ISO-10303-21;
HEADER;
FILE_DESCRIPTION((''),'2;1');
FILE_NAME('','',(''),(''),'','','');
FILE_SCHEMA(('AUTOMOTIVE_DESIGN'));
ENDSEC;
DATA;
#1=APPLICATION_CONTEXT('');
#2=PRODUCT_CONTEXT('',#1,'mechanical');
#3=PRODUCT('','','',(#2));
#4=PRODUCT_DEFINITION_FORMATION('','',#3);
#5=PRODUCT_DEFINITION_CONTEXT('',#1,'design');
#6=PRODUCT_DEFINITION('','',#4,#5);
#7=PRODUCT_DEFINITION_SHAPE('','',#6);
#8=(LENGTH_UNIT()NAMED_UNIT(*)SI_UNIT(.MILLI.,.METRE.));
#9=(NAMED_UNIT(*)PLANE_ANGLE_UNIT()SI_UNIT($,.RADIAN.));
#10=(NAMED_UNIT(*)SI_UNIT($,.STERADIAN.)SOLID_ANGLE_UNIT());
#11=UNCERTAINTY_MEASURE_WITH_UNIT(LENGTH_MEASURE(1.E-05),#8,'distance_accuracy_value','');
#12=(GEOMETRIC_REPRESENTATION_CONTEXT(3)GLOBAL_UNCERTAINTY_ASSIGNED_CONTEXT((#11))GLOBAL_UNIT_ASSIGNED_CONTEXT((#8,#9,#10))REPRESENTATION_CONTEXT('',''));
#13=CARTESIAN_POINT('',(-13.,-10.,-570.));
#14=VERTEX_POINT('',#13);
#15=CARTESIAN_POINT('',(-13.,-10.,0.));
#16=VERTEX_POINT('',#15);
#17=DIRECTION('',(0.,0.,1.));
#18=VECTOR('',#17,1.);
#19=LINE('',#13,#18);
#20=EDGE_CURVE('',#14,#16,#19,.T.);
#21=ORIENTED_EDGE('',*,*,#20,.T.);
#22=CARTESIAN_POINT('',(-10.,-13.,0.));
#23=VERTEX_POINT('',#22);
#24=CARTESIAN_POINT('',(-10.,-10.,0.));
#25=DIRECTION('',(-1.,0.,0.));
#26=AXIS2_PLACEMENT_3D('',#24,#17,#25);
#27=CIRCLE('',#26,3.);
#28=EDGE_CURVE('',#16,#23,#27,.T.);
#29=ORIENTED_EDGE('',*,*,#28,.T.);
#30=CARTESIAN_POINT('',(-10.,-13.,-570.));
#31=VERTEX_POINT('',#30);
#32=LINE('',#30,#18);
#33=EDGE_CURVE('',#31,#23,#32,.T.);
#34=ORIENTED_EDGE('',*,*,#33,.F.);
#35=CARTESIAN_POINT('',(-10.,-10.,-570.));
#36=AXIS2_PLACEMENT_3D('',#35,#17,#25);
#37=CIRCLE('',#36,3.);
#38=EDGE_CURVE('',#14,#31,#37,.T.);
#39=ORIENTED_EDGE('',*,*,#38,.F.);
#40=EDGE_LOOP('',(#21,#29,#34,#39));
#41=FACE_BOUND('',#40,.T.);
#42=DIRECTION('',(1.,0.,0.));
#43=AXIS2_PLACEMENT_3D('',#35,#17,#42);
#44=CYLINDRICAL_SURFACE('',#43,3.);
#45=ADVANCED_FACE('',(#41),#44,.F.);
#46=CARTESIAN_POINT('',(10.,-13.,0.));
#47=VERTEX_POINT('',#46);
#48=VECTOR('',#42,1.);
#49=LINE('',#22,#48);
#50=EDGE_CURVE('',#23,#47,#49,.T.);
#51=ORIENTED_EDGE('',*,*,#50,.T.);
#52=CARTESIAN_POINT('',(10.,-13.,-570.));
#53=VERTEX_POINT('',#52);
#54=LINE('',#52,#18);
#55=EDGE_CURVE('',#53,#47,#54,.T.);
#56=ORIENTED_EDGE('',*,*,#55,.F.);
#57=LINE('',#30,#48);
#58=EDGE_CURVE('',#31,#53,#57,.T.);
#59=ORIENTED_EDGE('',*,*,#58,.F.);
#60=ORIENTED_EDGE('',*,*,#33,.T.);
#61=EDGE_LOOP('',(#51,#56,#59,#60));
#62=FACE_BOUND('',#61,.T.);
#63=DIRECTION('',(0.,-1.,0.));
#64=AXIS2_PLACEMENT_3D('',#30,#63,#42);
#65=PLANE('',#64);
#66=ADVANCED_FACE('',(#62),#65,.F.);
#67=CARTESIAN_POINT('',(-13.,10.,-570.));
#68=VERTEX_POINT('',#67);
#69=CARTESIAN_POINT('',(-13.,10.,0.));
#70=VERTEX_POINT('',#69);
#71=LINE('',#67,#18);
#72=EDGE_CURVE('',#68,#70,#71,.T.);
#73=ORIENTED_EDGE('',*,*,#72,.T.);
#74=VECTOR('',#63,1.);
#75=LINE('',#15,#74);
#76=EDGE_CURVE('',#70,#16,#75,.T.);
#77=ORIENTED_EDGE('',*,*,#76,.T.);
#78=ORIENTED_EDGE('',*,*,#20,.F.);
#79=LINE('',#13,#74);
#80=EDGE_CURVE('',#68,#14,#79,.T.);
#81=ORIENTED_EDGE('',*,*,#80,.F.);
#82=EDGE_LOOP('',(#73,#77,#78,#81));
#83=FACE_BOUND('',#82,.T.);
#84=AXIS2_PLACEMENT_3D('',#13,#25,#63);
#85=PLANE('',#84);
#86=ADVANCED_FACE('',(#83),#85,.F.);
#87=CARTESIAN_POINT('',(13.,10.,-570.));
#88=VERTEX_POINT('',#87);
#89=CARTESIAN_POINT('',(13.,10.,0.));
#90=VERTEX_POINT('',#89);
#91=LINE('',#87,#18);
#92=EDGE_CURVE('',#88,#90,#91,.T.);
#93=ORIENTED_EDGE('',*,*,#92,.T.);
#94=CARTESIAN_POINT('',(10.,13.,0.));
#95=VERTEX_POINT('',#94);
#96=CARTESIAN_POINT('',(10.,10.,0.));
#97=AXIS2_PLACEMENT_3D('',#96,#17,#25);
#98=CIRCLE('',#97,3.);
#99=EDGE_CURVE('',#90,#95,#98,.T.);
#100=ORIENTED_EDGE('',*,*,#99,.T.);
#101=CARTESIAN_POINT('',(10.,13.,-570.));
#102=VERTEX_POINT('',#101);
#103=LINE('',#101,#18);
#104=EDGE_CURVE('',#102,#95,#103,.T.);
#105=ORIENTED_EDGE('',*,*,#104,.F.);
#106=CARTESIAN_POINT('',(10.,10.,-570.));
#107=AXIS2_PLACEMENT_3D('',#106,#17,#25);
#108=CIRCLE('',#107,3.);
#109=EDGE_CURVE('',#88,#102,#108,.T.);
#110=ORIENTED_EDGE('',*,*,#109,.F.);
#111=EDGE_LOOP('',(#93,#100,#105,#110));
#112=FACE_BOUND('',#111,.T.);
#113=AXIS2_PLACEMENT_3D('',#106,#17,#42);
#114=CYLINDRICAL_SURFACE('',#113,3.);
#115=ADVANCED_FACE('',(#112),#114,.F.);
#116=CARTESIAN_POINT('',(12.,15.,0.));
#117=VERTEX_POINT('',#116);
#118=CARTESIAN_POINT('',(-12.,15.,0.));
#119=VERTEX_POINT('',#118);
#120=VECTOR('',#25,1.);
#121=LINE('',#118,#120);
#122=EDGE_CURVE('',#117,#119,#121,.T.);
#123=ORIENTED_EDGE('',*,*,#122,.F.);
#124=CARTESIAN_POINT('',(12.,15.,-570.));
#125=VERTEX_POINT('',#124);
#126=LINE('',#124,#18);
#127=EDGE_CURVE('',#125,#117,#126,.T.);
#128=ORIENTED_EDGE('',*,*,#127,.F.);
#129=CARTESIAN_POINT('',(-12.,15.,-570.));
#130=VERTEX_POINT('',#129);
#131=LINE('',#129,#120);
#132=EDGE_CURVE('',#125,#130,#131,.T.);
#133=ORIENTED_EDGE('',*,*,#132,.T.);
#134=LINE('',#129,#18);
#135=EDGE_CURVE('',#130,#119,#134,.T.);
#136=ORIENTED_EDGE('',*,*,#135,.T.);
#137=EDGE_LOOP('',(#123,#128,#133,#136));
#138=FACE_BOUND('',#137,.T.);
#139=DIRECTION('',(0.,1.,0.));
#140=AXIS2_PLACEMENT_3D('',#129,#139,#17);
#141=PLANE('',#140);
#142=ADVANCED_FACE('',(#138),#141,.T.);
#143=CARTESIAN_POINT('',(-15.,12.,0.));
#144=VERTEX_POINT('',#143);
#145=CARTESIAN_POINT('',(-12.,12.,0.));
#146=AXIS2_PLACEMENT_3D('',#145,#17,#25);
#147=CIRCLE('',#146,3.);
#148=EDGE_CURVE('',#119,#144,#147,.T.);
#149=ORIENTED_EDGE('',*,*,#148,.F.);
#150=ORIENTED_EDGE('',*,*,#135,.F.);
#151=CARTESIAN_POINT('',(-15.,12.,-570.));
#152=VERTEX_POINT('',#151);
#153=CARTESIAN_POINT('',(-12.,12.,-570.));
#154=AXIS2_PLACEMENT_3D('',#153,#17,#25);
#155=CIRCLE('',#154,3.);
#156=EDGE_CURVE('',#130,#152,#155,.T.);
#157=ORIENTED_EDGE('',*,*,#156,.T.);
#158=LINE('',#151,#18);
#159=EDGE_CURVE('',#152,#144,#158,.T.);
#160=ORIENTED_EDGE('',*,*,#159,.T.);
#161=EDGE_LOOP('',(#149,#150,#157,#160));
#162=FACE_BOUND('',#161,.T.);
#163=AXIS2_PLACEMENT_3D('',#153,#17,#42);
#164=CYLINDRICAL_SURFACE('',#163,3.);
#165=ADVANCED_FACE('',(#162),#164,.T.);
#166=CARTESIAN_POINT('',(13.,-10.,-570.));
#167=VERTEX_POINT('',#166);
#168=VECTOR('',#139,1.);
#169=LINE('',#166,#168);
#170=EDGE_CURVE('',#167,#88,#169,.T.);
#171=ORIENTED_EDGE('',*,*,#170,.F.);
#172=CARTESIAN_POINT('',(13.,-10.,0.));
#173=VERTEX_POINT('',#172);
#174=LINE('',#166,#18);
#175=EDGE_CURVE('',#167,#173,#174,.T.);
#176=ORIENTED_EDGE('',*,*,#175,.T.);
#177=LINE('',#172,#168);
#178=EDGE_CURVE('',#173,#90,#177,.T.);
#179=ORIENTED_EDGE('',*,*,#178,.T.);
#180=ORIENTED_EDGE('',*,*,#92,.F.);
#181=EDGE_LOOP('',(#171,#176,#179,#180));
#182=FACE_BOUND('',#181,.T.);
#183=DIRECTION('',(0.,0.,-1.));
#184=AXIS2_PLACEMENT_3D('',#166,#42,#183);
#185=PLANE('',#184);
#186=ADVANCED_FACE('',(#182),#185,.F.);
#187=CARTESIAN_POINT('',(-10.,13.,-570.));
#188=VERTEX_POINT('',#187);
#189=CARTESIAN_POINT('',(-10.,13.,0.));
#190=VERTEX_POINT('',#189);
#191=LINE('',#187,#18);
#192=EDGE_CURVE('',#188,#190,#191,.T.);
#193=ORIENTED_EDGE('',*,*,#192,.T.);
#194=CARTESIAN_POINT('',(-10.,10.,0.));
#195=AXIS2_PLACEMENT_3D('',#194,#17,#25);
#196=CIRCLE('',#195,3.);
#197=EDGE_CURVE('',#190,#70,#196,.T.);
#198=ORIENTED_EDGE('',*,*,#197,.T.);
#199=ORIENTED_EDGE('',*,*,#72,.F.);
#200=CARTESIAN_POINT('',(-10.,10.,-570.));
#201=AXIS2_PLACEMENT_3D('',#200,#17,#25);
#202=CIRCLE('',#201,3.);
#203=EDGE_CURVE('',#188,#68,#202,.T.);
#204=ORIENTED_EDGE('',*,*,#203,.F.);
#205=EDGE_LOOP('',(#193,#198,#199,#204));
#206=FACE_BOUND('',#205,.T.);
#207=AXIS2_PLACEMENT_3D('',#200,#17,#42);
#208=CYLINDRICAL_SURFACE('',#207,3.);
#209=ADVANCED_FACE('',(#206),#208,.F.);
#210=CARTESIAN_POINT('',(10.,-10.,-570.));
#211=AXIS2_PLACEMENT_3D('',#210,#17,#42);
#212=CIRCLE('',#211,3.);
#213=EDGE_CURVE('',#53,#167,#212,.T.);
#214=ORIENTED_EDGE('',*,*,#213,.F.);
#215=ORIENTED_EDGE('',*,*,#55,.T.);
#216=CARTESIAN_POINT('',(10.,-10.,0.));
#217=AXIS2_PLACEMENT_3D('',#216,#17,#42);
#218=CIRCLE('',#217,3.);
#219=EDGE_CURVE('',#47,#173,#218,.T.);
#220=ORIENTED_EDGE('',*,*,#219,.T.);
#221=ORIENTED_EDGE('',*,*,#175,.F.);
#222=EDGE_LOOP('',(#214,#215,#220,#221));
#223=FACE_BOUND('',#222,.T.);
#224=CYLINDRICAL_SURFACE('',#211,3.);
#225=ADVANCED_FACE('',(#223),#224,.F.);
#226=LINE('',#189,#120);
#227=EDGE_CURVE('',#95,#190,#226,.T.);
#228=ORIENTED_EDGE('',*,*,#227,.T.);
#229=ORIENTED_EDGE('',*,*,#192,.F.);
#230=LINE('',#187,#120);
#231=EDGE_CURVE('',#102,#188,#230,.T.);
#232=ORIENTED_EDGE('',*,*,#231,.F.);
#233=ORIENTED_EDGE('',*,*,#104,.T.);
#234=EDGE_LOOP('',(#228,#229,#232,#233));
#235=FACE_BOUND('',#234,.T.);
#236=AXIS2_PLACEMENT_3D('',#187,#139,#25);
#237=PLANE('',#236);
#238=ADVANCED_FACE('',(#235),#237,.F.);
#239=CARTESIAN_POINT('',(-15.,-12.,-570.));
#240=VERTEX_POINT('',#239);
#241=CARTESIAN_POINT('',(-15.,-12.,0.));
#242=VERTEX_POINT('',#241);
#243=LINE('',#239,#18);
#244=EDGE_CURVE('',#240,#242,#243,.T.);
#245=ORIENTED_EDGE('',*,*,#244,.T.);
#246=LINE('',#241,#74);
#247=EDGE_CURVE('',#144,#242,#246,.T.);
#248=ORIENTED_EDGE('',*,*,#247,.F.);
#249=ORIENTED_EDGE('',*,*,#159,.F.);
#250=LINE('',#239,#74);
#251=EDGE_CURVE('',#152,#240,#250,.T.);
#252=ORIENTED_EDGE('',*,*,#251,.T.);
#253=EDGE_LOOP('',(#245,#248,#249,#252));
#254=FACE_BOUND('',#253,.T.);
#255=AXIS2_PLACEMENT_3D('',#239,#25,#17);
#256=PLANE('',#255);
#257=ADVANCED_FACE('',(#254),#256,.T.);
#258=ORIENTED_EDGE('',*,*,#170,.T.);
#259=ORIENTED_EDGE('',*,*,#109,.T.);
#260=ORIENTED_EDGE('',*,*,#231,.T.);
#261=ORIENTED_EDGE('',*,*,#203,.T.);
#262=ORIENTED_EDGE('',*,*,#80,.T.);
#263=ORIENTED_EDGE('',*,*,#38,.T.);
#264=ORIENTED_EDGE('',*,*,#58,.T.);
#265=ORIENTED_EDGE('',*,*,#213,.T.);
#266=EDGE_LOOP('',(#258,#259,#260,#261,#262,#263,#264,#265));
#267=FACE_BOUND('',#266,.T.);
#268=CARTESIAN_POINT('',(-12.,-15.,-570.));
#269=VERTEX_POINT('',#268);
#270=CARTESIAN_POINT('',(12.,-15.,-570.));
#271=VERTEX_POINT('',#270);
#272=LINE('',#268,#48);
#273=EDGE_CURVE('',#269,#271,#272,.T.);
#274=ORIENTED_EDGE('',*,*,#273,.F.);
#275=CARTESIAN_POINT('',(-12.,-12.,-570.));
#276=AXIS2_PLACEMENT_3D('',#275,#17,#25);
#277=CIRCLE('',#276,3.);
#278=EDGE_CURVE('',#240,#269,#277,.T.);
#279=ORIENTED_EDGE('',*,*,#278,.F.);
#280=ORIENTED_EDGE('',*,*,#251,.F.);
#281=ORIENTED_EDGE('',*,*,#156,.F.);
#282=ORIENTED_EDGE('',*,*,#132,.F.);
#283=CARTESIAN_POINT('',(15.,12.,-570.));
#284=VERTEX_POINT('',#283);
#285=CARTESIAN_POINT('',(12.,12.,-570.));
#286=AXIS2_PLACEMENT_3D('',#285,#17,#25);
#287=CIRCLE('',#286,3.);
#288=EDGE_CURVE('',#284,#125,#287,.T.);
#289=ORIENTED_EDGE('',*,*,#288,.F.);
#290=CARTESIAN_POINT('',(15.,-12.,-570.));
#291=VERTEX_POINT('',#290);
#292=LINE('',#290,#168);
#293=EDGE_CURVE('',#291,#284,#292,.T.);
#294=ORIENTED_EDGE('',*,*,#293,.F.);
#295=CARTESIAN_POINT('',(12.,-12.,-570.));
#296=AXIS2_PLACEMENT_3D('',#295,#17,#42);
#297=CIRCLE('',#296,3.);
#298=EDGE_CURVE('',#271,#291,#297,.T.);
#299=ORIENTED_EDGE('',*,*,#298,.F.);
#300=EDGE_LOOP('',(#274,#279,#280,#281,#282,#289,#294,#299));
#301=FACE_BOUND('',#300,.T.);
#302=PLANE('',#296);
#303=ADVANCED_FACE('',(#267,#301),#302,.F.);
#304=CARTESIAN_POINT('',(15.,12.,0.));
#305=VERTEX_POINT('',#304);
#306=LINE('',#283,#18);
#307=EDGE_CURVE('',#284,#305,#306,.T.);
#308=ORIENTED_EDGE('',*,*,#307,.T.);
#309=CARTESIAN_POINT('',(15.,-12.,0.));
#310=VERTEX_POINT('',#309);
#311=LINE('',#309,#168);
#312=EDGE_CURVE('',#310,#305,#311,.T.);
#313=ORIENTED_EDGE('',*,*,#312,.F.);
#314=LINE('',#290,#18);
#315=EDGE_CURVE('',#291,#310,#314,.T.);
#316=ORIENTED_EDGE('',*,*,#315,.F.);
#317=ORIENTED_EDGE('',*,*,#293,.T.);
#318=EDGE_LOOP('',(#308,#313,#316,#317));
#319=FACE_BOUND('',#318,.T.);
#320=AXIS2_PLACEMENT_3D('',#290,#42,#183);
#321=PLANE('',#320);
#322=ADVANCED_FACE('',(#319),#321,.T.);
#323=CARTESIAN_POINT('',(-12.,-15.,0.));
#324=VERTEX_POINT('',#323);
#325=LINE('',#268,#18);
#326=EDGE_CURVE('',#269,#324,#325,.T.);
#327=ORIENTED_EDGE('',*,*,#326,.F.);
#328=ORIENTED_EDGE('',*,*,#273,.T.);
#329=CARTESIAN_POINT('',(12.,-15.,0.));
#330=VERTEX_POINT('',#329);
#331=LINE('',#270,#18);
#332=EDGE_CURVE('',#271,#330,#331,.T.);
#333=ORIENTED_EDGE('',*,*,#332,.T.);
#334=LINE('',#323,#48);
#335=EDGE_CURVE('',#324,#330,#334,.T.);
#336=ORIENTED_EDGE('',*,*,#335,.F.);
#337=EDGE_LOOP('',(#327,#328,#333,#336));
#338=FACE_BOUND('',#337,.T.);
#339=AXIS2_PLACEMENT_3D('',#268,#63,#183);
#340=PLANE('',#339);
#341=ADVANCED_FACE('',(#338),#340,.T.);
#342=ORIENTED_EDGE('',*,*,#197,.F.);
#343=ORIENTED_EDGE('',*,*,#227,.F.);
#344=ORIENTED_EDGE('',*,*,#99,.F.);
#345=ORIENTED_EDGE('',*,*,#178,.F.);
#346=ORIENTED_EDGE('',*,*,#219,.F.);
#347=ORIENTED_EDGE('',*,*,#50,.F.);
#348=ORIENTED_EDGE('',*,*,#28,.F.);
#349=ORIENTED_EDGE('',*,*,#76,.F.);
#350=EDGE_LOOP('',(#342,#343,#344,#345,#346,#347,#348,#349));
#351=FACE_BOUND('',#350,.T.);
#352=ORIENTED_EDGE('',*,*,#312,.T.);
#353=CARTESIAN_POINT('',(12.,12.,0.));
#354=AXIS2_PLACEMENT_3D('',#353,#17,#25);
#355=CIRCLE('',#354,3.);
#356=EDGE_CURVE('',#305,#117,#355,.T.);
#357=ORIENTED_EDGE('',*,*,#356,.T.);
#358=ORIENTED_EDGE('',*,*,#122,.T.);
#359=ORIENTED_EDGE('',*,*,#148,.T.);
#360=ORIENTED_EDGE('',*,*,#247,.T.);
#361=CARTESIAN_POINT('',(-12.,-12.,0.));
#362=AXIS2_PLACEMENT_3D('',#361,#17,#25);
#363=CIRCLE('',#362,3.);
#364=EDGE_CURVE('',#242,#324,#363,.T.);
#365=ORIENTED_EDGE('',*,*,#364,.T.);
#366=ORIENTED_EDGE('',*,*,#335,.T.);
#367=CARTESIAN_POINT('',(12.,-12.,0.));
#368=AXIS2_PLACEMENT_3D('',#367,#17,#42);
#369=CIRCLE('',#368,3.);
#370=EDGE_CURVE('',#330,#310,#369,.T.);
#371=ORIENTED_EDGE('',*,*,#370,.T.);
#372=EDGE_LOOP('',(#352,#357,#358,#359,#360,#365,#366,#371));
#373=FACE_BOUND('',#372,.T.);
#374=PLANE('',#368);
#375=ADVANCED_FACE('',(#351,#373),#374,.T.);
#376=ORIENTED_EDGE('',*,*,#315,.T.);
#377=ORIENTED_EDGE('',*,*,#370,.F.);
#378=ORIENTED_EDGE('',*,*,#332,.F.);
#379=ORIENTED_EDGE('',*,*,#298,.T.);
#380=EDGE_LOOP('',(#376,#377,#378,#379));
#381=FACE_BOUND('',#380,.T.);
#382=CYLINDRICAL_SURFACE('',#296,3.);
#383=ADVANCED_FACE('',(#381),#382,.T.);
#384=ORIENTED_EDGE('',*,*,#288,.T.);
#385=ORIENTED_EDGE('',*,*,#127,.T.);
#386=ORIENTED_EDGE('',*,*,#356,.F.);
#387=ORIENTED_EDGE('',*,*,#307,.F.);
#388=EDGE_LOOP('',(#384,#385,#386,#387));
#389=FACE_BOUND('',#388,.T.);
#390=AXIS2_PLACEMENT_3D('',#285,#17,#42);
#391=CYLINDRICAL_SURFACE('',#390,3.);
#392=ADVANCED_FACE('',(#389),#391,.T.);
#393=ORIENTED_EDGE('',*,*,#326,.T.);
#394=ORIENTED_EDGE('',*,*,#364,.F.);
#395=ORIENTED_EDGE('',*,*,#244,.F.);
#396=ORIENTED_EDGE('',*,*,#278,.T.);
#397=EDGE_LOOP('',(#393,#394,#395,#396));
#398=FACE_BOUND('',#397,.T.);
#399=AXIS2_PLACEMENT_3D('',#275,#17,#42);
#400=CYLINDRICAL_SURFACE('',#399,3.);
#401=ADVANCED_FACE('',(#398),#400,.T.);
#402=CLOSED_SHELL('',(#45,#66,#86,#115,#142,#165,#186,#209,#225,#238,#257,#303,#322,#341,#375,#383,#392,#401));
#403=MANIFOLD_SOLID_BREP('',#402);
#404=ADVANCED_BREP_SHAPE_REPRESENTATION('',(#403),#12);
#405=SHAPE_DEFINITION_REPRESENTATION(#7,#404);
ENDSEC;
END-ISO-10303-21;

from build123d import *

# Parameters (mm, degrees)
BOSS_EXTRU_1_DEPTH = 570


with BuildPart() as part:
    # Esquisse1 → Boss.-Extru.1 (new body)
    with BuildSketch(Plane.XY):
        with BuildLine():
            Line((-12, -15), (12, -15))
            ThreePointArc((12, -15), (14.121320344, -14.121320344), (15, -12))
            Line((15, -12), (15, 12))
            ThreePointArc((15, 12), (14.121320344, 14.121320344), (12, 15))
            Line((12, 15), (-12, 15))
            ThreePointArc((-12, 15), (-14.121320344, 14.121320344), (-15, 12))
            Line((-15, 12), (-15, -12))
            ThreePointArc((-15, -12), (-14.121320344, -14.121320344), (-12, -15))
        make_face()
        with BuildLine():
            Line((-10, -13), (10, -13))
            ThreePointArc((10, -13), (12.121320344, -12.121320344), (13, -10))
            Line((13, -10), (13, 10))
            ThreePointArc((13, 10), (12.121320344, 12.121320344), (10, 13))
            Line((10, 13), (-10, 13))
            ThreePointArc((-10, 13), (-12.121320344, 12.121320344), (-13, 10))
            Line((-13, 10), (-13, -10))
            ThreePointArc((-13, -10), (-12.121320344, -12.121320344), (-10, -13))
        make_face(mode=Mode.SUBTRACT)
    extrude(amount=-BOSS_EXTRU_1_DEPTH)


solid = part.part
